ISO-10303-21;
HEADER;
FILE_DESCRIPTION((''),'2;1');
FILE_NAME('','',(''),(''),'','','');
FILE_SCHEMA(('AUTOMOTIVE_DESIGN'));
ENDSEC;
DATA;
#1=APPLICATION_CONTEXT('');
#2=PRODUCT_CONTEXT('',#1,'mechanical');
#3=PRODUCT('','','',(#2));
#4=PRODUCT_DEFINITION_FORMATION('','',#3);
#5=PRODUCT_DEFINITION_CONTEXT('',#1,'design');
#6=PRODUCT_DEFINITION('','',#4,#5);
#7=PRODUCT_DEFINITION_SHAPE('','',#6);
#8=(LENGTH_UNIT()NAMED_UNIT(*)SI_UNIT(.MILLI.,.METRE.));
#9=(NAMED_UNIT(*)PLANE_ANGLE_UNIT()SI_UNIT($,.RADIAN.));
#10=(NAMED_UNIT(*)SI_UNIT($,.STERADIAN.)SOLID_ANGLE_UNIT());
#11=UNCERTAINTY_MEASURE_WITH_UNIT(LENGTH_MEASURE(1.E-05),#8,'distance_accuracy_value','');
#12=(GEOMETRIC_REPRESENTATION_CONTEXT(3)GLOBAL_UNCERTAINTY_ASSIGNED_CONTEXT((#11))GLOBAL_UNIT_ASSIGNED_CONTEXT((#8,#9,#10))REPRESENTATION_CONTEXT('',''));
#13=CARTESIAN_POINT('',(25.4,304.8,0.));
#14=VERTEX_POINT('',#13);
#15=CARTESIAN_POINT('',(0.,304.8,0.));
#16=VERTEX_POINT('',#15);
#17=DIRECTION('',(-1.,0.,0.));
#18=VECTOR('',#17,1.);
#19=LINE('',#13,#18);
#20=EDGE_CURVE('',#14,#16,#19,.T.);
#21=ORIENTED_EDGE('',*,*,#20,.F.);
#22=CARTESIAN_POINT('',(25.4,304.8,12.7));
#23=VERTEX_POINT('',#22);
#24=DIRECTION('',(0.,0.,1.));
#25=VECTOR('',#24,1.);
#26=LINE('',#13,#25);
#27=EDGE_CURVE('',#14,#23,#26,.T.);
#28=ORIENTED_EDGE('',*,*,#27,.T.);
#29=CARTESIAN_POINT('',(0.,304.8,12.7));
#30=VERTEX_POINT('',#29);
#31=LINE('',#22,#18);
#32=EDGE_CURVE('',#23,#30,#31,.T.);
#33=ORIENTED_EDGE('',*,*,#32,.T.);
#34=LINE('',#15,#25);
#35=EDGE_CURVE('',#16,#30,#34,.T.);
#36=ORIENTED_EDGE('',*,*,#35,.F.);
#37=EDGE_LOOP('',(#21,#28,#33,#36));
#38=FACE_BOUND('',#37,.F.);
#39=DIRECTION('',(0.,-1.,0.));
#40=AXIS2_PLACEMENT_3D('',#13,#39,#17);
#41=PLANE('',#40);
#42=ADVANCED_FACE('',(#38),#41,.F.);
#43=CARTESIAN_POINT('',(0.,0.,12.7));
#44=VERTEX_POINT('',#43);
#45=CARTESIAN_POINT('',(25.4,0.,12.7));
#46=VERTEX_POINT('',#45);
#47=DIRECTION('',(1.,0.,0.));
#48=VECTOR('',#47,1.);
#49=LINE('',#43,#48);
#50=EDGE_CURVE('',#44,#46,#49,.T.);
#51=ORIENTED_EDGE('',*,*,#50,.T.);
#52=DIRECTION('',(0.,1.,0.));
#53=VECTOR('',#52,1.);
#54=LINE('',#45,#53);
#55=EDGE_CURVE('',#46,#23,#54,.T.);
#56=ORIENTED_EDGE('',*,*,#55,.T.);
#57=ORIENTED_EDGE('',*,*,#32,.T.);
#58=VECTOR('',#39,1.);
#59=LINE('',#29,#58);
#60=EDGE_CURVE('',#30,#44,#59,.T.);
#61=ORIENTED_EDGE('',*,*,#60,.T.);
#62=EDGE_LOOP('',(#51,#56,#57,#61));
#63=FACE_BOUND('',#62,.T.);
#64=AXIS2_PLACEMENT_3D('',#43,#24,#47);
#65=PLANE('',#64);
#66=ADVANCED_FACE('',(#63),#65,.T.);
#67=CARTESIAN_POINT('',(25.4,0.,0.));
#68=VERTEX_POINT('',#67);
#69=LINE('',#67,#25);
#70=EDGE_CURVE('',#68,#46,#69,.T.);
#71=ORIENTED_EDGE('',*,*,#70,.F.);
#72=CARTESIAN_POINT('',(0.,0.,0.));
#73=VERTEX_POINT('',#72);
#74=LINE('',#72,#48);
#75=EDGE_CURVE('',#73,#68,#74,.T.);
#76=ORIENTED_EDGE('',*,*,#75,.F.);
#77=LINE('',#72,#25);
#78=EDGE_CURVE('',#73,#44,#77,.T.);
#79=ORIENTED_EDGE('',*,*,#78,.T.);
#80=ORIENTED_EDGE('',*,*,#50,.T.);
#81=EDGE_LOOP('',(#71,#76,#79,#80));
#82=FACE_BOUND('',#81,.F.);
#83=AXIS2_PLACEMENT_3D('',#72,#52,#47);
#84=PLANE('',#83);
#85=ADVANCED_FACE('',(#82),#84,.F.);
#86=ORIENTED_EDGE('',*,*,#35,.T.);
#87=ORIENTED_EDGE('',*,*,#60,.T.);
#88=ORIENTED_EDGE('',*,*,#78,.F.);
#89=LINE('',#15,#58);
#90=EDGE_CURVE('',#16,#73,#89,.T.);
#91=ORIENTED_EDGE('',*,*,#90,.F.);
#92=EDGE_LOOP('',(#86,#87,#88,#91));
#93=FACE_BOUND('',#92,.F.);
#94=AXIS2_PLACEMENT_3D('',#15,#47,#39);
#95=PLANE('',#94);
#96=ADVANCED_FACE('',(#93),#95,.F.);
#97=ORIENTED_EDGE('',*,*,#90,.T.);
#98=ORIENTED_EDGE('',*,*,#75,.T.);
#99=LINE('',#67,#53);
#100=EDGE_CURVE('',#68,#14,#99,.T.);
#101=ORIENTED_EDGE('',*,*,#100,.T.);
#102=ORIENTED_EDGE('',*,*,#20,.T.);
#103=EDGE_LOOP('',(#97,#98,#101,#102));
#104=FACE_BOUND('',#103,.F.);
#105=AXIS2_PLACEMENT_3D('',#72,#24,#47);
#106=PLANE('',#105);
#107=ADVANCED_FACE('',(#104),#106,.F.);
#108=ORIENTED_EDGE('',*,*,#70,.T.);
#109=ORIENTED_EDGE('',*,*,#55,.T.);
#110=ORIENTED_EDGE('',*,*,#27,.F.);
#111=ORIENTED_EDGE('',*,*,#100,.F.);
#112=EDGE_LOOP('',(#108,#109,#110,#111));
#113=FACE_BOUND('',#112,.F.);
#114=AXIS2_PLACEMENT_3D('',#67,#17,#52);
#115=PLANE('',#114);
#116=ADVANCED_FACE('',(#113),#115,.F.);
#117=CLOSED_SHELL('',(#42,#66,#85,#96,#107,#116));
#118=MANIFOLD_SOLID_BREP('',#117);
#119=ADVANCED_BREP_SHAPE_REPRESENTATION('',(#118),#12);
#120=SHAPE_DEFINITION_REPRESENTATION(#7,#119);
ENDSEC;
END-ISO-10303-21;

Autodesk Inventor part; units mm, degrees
ref_plane "YZ Plane" through (0, 0, 0) normal (1, 0, 0) x (0, 1, 0)
ref_plane "XZ Plane" through (0, 0, 0) normal (0, 1, 0) x (-1, 0, 0)
ref_plane "XY Plane" through (0, 0, 0) normal (0, 0, 1) x (1, 0, 0)
sketch "Sketch1" plane through (0, 0, 0) normal (0, 0, 1) x (1, 0, 0)
  line L0 (0, 0) -> (25.4, 0)
  line L1 (25.4, 0) -> (25.4, 304.8)
  line L2 (25.4, 304.8) -> (0, 304.8)
  line L3 (0, 304.8) -> (0, 0)
  dimension "d7" = 25.4
  dimension "d8" = 304.8
extrude "Extrusion1" add sketch "Sketch1" along normal blind 12.7
properties material "MDF Medium Density Fiberboard"
